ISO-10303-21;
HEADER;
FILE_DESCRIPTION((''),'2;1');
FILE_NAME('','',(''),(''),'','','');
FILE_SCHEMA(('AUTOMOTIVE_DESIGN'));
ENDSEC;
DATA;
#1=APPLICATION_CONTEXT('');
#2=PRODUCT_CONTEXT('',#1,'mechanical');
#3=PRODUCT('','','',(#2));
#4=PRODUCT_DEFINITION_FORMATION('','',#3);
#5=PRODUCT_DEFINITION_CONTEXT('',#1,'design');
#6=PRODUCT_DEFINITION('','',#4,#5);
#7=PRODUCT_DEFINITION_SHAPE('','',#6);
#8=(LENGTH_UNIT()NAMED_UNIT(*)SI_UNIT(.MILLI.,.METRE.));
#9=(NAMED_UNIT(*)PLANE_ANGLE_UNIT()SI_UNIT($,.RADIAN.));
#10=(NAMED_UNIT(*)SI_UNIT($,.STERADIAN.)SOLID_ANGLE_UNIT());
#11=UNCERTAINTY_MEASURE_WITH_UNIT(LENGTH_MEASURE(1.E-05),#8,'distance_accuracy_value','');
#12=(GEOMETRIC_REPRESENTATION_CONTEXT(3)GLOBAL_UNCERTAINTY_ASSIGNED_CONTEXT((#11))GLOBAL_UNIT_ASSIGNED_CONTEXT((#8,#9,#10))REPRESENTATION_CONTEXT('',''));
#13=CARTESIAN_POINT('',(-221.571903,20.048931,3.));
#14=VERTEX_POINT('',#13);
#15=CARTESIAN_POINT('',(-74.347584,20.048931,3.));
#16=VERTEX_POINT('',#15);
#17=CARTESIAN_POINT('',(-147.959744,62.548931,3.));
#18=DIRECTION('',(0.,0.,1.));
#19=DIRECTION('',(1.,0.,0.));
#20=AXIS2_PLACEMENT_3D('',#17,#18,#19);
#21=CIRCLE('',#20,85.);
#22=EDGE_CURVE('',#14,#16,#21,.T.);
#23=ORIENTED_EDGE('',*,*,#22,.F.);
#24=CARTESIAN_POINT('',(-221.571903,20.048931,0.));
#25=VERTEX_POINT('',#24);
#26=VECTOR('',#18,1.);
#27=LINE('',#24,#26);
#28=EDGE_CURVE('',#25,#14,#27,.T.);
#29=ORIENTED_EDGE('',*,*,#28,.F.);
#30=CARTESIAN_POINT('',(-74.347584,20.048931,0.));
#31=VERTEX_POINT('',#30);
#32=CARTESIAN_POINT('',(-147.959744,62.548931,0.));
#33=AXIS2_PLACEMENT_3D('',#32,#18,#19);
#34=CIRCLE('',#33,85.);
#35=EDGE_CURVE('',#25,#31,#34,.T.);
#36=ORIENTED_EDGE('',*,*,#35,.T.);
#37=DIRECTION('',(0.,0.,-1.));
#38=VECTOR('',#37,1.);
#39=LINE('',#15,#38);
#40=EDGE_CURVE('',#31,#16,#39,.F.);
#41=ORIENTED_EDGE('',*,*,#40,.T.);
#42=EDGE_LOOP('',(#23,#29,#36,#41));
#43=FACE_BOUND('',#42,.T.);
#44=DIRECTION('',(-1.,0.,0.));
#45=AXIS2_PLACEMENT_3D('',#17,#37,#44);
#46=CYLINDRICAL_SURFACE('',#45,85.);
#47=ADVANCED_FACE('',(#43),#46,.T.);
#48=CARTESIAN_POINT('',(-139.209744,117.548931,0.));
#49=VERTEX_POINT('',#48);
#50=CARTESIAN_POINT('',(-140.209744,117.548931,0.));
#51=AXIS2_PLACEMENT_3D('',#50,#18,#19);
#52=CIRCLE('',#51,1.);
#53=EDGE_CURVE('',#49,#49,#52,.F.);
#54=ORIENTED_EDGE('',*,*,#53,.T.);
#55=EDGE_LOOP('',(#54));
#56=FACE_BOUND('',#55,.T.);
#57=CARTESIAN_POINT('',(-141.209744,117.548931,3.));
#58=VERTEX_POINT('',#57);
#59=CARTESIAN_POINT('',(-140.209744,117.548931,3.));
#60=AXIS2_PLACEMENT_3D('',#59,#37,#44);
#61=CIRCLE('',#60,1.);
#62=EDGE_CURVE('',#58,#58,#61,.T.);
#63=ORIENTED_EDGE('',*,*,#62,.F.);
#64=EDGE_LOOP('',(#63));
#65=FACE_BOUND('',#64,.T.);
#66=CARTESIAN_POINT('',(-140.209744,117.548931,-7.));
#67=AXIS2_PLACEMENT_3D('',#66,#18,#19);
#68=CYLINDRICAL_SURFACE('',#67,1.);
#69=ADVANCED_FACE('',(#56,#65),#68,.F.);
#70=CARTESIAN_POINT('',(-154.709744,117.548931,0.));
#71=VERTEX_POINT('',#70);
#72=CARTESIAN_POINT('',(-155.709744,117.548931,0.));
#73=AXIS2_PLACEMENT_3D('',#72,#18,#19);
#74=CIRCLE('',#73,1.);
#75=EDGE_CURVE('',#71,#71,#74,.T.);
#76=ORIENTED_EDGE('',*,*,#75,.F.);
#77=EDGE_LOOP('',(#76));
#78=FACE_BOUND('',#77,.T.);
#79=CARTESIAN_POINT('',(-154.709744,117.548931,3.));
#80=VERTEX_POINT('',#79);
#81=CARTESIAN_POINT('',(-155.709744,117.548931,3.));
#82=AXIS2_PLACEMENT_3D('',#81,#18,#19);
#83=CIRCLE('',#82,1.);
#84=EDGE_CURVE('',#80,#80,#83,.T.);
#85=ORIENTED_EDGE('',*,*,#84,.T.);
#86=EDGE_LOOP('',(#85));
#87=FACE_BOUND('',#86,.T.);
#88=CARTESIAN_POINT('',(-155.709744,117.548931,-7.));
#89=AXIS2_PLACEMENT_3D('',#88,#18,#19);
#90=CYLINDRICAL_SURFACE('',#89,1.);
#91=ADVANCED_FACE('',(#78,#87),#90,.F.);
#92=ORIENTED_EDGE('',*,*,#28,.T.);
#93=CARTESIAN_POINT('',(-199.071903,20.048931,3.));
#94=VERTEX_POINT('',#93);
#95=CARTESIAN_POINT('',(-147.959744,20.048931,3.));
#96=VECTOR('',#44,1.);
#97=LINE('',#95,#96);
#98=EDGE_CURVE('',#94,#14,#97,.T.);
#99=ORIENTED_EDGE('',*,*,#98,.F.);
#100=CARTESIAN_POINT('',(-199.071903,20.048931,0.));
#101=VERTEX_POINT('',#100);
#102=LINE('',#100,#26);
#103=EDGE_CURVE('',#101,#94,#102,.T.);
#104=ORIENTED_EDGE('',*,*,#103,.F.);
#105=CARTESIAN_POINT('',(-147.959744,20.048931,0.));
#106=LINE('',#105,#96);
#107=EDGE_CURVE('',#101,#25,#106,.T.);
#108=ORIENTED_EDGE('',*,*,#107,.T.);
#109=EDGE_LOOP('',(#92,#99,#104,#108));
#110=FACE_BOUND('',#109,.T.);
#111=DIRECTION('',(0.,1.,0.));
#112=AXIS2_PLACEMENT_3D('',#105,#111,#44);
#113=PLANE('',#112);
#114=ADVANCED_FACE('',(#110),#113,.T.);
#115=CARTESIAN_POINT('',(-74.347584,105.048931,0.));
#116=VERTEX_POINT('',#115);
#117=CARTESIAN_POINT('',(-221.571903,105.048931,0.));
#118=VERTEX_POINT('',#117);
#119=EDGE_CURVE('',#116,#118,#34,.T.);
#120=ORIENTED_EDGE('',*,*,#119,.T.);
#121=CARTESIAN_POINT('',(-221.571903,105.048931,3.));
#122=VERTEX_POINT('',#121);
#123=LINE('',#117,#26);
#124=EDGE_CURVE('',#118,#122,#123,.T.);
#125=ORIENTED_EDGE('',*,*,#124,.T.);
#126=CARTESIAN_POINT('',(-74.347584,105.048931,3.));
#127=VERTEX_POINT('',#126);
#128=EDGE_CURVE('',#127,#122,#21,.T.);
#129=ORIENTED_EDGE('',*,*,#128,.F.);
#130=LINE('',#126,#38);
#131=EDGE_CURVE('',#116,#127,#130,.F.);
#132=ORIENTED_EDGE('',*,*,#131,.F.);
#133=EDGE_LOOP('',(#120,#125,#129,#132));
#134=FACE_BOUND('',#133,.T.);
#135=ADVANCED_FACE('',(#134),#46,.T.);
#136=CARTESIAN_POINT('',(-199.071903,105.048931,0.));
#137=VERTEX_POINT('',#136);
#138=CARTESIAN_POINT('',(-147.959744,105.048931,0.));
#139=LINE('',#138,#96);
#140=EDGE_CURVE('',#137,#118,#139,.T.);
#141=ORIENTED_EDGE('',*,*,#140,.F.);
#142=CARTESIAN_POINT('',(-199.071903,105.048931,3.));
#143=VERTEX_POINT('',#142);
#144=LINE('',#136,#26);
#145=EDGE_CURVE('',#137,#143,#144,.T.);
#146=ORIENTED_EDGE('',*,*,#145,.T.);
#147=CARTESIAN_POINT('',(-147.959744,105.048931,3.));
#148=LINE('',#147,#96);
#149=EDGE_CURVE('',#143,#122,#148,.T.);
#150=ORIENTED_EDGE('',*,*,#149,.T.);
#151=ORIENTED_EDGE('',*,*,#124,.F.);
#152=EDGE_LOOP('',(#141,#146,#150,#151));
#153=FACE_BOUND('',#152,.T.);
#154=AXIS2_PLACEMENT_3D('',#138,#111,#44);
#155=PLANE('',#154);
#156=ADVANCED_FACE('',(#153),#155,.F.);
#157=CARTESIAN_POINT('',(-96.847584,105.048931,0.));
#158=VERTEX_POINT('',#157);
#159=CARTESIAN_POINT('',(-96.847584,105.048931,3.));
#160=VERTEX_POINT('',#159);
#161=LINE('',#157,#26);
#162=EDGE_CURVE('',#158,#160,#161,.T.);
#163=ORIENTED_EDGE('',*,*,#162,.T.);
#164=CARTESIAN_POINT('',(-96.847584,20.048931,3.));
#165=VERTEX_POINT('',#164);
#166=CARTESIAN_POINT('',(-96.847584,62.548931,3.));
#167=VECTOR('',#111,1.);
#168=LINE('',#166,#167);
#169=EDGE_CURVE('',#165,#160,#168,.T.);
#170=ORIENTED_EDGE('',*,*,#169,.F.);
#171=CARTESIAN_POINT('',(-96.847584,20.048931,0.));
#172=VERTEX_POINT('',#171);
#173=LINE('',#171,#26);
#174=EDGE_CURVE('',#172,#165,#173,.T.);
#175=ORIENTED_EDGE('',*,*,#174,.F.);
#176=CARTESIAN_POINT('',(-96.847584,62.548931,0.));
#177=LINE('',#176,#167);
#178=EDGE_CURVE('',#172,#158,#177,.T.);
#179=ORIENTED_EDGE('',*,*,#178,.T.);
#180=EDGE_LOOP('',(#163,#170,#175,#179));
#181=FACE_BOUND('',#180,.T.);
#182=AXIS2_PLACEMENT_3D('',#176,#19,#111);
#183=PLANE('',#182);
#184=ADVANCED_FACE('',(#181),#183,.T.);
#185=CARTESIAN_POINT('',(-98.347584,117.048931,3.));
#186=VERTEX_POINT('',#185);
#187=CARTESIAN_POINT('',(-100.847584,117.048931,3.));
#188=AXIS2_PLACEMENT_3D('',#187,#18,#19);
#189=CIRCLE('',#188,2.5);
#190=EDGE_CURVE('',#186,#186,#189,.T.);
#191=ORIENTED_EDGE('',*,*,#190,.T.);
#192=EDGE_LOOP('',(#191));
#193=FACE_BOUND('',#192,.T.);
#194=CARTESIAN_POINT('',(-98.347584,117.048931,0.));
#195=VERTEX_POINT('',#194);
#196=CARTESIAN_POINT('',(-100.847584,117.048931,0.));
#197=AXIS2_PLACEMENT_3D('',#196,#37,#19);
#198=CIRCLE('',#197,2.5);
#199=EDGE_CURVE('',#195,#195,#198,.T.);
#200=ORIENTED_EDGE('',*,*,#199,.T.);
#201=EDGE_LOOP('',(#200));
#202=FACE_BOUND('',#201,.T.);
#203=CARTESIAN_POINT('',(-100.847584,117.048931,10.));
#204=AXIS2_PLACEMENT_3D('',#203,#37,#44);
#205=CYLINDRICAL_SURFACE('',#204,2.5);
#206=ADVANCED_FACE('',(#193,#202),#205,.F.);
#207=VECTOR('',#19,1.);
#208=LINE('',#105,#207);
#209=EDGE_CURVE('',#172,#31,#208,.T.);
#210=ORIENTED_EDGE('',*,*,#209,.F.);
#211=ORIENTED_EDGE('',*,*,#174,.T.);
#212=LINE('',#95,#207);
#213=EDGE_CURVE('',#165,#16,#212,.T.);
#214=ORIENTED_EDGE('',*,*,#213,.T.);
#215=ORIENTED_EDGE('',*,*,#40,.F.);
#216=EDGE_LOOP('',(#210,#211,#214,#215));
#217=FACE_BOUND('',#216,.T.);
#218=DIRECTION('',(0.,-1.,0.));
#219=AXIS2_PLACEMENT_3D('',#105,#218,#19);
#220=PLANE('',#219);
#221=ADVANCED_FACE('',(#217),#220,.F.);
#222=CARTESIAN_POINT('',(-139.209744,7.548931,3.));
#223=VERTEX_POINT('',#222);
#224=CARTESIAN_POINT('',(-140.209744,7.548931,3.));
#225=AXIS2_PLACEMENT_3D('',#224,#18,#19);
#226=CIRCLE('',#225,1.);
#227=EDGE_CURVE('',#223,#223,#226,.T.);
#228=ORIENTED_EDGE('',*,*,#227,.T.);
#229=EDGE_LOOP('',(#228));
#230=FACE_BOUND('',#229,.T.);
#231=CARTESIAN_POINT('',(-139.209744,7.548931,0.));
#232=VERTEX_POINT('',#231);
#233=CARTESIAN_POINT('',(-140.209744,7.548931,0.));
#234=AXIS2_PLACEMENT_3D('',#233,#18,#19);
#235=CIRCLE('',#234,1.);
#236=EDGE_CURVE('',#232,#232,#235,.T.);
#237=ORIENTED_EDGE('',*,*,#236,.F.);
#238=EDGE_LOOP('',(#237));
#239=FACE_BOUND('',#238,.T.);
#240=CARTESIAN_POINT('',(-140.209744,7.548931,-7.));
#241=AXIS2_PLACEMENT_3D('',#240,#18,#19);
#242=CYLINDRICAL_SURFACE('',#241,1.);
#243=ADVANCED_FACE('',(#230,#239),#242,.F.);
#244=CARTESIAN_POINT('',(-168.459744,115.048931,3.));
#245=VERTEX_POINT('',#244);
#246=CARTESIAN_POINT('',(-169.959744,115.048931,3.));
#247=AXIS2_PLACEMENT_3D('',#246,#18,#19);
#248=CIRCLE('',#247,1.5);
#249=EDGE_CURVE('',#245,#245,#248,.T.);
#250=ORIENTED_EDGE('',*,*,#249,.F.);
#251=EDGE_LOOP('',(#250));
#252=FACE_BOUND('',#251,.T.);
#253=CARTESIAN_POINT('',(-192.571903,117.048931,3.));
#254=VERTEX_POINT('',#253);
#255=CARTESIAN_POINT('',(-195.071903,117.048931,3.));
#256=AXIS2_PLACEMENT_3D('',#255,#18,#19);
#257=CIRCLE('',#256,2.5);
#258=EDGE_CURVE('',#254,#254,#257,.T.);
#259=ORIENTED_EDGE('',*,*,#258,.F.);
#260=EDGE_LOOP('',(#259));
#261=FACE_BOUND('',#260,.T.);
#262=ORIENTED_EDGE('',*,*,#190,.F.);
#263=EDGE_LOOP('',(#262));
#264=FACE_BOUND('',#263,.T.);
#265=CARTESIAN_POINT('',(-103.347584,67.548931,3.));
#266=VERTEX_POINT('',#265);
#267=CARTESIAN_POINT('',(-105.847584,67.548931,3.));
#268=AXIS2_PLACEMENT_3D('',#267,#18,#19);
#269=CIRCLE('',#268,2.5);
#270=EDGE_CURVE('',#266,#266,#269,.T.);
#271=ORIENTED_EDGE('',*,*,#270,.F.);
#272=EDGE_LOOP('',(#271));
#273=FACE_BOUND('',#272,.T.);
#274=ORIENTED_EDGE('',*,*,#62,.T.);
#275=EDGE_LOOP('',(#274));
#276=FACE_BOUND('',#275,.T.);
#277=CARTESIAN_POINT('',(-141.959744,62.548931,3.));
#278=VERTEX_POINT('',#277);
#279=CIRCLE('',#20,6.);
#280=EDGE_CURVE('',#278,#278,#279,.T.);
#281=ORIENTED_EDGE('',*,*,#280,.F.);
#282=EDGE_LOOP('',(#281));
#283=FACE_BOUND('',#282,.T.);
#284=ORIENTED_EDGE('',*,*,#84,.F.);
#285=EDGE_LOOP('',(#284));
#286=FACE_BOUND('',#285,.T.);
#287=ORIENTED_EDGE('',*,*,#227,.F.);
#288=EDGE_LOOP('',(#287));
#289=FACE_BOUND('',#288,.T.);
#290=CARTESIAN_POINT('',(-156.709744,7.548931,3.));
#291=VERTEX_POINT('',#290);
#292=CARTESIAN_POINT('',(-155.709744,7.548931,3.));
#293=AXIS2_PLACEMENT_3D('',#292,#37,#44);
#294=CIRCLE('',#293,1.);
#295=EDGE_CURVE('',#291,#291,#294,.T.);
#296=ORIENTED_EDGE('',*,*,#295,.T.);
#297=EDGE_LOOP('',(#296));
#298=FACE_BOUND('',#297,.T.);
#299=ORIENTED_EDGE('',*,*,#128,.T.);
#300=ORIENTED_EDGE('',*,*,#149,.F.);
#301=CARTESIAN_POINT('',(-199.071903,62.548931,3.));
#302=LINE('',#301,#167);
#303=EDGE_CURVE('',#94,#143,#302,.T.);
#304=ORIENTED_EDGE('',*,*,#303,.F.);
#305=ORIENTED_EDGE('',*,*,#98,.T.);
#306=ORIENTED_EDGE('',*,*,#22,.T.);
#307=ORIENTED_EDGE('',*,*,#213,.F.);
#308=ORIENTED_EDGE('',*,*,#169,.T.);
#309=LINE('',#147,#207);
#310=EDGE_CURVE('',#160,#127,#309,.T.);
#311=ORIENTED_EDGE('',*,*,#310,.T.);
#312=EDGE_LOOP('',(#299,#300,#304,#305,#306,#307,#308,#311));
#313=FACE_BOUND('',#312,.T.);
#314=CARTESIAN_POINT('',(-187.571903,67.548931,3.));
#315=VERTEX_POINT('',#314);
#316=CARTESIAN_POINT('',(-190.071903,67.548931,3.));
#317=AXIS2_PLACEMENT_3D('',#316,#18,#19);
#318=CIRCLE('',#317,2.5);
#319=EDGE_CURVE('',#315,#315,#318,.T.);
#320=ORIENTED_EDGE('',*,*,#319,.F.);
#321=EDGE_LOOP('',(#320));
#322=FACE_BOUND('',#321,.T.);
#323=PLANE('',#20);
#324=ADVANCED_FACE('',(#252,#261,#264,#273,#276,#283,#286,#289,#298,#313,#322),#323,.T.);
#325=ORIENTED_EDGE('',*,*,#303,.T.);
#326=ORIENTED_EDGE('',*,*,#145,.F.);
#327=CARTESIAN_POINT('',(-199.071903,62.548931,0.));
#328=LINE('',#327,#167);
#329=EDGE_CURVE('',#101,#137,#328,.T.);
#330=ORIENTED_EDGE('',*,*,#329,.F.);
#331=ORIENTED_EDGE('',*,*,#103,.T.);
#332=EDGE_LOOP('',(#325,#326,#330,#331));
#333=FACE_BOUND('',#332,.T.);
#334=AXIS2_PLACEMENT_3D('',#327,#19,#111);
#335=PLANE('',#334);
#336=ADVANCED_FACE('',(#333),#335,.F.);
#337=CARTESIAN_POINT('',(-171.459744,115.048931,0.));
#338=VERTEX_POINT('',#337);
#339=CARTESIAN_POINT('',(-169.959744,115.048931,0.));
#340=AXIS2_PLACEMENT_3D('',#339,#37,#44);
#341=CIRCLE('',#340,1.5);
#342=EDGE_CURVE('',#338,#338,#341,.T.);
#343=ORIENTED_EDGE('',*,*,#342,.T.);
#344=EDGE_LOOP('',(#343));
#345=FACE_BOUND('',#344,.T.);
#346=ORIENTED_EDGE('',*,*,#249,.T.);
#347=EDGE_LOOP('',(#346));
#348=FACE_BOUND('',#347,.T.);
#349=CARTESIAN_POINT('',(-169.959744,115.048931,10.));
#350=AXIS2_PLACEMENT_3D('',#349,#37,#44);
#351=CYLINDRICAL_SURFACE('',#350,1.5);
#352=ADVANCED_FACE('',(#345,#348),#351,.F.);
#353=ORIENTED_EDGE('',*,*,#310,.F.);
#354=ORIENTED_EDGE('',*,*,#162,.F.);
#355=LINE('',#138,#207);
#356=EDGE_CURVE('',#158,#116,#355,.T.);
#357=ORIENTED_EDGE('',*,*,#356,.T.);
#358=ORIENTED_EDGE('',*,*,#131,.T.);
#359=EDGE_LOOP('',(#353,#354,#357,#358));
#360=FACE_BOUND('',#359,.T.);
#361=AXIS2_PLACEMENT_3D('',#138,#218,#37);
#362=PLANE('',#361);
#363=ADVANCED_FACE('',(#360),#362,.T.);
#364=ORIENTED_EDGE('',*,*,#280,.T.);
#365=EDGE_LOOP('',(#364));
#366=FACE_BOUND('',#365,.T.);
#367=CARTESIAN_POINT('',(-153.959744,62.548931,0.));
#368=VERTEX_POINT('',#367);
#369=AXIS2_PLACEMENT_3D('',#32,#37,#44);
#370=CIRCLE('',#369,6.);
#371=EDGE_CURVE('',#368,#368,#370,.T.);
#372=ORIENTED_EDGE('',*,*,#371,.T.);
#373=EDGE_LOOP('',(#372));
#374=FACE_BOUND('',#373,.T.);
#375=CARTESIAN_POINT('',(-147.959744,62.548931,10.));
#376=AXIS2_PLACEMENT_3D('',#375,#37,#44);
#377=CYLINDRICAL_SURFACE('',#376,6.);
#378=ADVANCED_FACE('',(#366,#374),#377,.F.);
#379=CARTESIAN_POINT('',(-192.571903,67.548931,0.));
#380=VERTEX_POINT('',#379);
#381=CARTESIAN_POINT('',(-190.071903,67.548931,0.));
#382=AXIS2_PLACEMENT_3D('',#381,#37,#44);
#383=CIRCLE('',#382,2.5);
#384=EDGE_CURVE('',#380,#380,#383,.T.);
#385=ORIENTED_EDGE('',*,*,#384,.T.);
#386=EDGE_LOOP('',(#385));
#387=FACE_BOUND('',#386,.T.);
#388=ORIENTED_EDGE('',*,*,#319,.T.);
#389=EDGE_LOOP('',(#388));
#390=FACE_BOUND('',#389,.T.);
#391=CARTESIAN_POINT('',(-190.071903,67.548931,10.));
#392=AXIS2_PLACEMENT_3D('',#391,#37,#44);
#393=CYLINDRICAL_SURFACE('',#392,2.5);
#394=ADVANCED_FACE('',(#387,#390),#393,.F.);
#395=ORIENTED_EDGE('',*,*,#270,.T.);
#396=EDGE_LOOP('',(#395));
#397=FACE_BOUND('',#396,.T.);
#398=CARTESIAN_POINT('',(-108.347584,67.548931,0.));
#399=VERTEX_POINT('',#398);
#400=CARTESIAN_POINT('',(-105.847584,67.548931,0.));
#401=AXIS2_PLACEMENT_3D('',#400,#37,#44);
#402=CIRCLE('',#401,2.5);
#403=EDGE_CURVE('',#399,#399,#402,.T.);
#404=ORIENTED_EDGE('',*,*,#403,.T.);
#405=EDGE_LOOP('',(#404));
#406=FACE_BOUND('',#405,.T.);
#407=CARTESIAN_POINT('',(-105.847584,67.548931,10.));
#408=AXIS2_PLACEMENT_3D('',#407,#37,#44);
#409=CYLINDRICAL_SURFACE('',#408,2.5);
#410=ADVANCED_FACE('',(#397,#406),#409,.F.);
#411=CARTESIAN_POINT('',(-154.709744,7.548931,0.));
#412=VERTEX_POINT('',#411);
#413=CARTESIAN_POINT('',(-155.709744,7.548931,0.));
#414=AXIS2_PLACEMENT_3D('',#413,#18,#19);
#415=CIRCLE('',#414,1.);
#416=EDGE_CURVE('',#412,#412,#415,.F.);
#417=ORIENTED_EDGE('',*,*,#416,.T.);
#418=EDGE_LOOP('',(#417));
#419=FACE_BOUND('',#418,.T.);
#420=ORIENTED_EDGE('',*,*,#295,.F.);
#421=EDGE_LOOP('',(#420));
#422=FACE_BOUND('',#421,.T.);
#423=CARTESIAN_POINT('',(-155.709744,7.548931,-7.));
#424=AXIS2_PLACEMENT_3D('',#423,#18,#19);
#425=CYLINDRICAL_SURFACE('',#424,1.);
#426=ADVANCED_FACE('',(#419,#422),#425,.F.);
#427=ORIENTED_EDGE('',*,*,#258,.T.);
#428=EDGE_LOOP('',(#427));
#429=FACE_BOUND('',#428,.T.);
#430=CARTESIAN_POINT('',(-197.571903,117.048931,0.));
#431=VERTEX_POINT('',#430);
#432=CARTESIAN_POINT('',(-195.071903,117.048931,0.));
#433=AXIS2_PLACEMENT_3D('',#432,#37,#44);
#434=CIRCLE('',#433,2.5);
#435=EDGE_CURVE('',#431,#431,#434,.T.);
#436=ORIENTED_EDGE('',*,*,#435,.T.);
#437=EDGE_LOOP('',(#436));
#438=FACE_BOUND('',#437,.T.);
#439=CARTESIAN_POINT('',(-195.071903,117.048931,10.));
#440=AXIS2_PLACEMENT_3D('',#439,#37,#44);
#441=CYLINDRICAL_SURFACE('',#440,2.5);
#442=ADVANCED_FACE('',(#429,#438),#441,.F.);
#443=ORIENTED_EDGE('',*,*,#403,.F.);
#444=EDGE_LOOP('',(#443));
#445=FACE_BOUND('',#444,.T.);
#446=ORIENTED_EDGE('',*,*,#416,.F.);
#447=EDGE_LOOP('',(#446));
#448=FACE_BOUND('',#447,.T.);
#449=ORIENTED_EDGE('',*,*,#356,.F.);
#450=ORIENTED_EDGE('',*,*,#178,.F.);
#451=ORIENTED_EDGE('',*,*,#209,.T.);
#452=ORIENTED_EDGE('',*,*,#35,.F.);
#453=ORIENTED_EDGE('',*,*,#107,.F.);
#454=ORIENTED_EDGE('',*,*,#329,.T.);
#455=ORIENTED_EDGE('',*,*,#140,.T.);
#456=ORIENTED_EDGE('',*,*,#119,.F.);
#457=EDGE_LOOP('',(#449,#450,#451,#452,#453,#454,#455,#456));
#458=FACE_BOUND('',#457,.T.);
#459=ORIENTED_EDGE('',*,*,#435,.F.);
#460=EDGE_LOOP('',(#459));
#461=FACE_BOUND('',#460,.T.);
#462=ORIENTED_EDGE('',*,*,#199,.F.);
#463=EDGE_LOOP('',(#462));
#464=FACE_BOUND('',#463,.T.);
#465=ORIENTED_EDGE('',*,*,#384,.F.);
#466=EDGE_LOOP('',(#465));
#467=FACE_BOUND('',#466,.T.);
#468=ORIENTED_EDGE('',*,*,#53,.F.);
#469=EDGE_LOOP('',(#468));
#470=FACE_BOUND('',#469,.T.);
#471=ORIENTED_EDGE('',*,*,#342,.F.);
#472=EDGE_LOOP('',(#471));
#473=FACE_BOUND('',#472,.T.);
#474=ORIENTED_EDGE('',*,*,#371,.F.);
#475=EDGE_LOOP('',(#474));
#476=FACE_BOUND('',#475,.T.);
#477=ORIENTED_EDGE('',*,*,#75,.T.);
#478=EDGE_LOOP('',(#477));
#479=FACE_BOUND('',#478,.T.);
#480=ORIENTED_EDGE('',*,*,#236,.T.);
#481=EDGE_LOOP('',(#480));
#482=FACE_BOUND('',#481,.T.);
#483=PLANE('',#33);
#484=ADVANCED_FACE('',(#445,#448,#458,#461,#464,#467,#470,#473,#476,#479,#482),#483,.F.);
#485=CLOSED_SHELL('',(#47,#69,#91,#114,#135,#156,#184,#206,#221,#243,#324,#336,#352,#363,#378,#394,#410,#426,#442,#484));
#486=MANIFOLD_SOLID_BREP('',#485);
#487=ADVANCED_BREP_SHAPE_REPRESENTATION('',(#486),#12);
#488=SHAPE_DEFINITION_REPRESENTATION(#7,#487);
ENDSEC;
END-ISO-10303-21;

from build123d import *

# Parameters (mm, degrees)
ESQUISSE1_R              = 85
BOSS_EXTRU_1_DEPTH       = 3
ESQUISSE2_W              = 32.5
ESQUISSE2_H              = 85
ENL_V_MAT_EXTRU_6_DEPTH  = 3
ESQUISSE3_R              = 1
ENL_V_MAT_EXTRU_8_DEPTH  = 10
ESQUISSE53_R             = 2.5
ENL_V_MAT_EXTRU_21_DEPTH = 10
ESQUISSE54_R             = 2.5
ENL_V_MAT_EXTRU_22_DEPTH = 10
ESQUISSE55_R             = 1.5
ENL_V_MAT_EXTRU_23_DEPTH = 10
ESQUISSE56_R             = 6
ENL_V_MAT_EXTRU_24_DEPTH = 10


with BuildPart() as part:
    # Esquisse1 → Boss.-Extru.1 (new body)
    with BuildSketch(Plane.XY):
        with Locations((-147.95974357, 62.548931244)):
            Circle(ESQUISSE1_R)
    extrude(amount=BOSS_EXTRU_1_DEPTH)

    # Esquisse2 → Enlèv. mat.-Extru.6 (cut)
    with BuildSketch(Plane.XY):
        with BuildLine():
            Line((-199.071902892, 105.048931244), (-221.571902892, 105.048931244))
            ThreePointArc((-221.571902892, 105.048931244), (-227.739869981, 91.876928617), (-231.571902892, 77.846212492))
            Line((-231.571902892, 77.846212492), (-231.571902892, 47.251649997))
            ThreePointArc((-231.571902892, 47.251649997), (-227.739869981, 33.220933871), (-221.571902892, 20.048931244))
            Line((-221.571902892, 20.048931244), (-199.071902892, 20.048931244))
            Line((-199.071902892, 20.048931244), (-199.071902892, 105.048931244))
        make_face()
        with Locations((-80.597584249, 62.548931244)):
            Rectangle(ESQUISSE2_W, ESQUISSE2_H)
    extrude(amount=ENL_V_MAT_EXTRU_6_DEPTH, mode=Mode.SUBTRACT)


with BuildPart() as enl_v_mat_extru_6_piece_1:
    # of the separate pieces the step leaves, piece 1, a body of its own (enl_v_mat_extru_6_pieces)
    add(part.part.solids().sort_by_distance((-74.347584249, 105.048931244, 0))[0])

    # Esquisse3 → Enlèv. mat.-Extru.8 (cut)
    with BuildSketch(Plane.XY.offset(3)):
        with Locations((-155.70974357, 117.548931244)):
            Circle(ESQUISSE3_R)
        with Locations((-140.20974357, 117.548931244)):
            Circle(ESQUISSE3_R)
        with Locations((-140.20974357, 7.548931244)):
            Circle(ESQUISSE3_R)
        with Locations((-155.70974357, 7.548931244)):
            Circle(ESQUISSE3_R)
    extrude(amount=-ENL_V_MAT_EXTRU_8_DEPTH, mode=Mode.SUBTRACT)

    # Esquisse53 → Enlèv. mat.-Extru.21 (cut)
    with BuildSketch(Plane(origin=(0, 0, 0), x_dir=(-1, 0, 0), z_dir=(0, 0, -1))):
        with Locations((190.071902892, 67.548931244)):
            Circle(ESQUISSE53_R)
        with Locations((105.847584249, 67.548931244)):
            Circle(ESQUISSE53_R)
    extrude(amount=-ENL_V_MAT_EXTRU_21_DEPTH, mode=Mode.SUBTRACT)

    # Esquisse54 → Enlèv. mat.-Extru.22 (cut)
    with BuildSketch(Plane(origin=(0, 0, 0), x_dir=(-1, 0, 0), z_dir=(0, 0, -1))):
        with Locations((195.071902892, 117.048931244)):
            Circle(ESQUISSE54_R)
        with Locations(Location((100.847584249, 117.048931244, 0), (0, 0, 180))):
            Circle(ESQUISSE54_R)
    extrude(amount=-ENL_V_MAT_EXTRU_22_DEPTH, mode=Mode.SUBTRACT)

    # Esquisse55 → Enlèv. mat.-Extru.23 (cut)
    with BuildSketch(Plane(origin=(0, 0, 0), x_dir=(-1, 0, 0), z_dir=(0, 0, -1))):
        with Locations((169.95974357, 115.048931244)):
            Circle(ESQUISSE55_R)
    extrude(amount=-ENL_V_MAT_EXTRU_23_DEPTH, mode=Mode.SUBTRACT)

    # Esquisse56 → Enlèv. mat.-Extru.24 (cut)
    with BuildSketch(Plane(origin=(0, 0, 0), x_dir=(-1, 0, 0), z_dir=(0, 0, -1))):
        with Locations((147.95974357, 62.548931244)):
            Circle(ESQUISSE56_R)
    extrude(amount=-ENL_V_MAT_EXTRU_24_DEPTH, mode=Mode.SUBTRACT)


with BuildPart() as enl_v_mat_extru_6_piece_2:
    # of the separate pieces the step leaves, piece 2, a body of its own (enl_v_mat_extru_6_pieces)
    add(part.part.solids().sort_by_distance((-64.347584249, 47.251649997, 0))[0])


with BuildPart() as enl_v_mat_extru_6_piece_3:
    # of the separate pieces the step leaves, piece 3, a body of its own (enl_v_mat_extru_6_pieces)
    add(part.part.solids().sort_by_distance((-231.571902892, 77.846212492, 0))[0])


solid = enl_v_mat_extru_6_piece_1.part
